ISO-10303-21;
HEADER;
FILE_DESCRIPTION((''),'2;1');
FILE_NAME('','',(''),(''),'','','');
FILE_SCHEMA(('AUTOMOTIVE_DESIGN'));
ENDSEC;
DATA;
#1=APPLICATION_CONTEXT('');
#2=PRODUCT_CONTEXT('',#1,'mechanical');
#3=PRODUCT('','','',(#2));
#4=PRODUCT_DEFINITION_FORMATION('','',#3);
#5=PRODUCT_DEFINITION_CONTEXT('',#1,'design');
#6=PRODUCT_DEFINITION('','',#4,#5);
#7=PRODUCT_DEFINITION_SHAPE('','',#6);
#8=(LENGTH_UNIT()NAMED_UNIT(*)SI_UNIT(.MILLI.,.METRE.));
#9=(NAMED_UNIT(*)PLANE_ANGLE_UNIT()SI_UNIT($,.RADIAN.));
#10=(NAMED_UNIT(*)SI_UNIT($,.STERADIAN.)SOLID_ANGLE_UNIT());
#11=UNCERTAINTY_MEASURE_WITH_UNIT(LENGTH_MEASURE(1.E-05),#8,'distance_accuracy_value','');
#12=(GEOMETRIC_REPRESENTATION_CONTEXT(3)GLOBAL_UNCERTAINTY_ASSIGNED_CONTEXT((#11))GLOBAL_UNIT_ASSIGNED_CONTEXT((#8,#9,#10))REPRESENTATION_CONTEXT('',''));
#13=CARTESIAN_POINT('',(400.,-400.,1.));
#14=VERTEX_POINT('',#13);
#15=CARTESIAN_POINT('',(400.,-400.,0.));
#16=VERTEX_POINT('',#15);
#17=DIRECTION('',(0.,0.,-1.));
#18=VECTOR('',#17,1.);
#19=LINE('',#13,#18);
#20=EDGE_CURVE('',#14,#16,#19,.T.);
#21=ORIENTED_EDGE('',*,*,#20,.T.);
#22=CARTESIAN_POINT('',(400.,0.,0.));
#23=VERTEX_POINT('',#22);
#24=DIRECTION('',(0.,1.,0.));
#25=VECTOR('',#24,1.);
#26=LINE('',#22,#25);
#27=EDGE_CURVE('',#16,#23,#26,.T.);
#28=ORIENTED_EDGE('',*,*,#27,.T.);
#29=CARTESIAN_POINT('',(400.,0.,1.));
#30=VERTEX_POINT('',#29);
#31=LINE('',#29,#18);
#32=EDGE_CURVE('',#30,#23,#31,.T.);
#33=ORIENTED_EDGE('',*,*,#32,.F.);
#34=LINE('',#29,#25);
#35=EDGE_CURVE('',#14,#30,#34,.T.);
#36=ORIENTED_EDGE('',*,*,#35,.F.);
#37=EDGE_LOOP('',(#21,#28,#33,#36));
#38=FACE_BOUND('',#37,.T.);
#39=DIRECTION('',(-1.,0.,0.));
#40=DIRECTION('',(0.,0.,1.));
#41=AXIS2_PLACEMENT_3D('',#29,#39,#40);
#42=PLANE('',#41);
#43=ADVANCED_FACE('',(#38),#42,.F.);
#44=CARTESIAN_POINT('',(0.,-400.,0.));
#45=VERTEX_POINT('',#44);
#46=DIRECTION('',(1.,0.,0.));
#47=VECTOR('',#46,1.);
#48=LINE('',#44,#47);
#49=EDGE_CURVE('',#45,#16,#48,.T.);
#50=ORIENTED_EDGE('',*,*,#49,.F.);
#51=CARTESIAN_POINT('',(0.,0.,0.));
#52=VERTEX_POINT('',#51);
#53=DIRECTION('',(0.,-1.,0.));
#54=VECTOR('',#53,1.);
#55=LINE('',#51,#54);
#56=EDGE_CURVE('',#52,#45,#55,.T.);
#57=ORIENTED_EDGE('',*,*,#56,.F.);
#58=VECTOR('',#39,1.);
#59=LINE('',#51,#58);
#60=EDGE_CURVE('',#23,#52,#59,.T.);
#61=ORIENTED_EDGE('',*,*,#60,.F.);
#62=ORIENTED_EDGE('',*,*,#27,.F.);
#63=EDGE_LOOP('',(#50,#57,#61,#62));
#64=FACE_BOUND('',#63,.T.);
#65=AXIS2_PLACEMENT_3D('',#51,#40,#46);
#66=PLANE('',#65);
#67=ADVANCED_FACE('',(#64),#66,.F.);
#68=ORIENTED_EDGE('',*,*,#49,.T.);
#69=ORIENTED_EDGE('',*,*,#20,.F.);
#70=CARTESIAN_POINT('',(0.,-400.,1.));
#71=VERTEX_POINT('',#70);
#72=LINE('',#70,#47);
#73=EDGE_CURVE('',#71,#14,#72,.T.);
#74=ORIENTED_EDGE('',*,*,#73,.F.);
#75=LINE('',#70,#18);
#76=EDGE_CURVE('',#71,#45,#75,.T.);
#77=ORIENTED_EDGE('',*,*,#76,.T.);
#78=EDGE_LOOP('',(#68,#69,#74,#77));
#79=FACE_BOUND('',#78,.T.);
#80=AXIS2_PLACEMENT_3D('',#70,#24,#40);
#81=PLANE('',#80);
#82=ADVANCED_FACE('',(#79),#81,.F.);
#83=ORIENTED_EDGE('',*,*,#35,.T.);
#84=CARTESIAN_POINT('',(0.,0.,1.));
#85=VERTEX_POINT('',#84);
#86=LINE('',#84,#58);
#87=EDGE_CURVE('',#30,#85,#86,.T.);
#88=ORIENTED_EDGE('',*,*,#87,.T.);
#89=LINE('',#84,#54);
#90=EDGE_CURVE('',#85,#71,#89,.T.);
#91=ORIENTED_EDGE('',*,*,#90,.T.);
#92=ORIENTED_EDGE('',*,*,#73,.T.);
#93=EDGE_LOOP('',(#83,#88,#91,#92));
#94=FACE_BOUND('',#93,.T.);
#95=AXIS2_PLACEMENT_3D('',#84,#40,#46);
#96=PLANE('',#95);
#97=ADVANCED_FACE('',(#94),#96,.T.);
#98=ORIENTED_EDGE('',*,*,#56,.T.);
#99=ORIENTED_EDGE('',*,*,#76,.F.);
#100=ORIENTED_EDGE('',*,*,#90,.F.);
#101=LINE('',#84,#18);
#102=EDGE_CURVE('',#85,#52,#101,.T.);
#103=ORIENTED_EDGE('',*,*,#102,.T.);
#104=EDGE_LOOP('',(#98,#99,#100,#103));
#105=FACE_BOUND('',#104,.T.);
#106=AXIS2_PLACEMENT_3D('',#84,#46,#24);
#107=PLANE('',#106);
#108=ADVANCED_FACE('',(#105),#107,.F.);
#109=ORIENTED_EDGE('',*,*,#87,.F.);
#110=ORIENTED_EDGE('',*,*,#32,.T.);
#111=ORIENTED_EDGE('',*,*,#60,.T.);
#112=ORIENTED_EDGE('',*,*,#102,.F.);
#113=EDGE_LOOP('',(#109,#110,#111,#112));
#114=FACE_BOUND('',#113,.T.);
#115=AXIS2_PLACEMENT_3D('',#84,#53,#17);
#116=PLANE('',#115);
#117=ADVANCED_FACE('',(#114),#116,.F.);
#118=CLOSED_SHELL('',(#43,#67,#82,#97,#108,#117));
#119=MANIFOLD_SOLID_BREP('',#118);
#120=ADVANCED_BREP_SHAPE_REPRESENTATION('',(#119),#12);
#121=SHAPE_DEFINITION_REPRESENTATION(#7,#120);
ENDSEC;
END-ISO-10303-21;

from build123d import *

# Parameters (mm, degrees)
SKETCH1_W           = 400
SKETCH1_H           = 400
BOSS_EXTRUDE1_DEPTH = 1


with BuildPart() as part:
    # Sketch1 → Boss-Extrude1 (new body)
    with BuildSketch(Plane.XY):
        with Locations((200, -200)):
            Rectangle(SKETCH1_W, SKETCH1_H)
    extrude(amount=BOSS_EXTRUDE1_DEPTH)


solid = part.part
